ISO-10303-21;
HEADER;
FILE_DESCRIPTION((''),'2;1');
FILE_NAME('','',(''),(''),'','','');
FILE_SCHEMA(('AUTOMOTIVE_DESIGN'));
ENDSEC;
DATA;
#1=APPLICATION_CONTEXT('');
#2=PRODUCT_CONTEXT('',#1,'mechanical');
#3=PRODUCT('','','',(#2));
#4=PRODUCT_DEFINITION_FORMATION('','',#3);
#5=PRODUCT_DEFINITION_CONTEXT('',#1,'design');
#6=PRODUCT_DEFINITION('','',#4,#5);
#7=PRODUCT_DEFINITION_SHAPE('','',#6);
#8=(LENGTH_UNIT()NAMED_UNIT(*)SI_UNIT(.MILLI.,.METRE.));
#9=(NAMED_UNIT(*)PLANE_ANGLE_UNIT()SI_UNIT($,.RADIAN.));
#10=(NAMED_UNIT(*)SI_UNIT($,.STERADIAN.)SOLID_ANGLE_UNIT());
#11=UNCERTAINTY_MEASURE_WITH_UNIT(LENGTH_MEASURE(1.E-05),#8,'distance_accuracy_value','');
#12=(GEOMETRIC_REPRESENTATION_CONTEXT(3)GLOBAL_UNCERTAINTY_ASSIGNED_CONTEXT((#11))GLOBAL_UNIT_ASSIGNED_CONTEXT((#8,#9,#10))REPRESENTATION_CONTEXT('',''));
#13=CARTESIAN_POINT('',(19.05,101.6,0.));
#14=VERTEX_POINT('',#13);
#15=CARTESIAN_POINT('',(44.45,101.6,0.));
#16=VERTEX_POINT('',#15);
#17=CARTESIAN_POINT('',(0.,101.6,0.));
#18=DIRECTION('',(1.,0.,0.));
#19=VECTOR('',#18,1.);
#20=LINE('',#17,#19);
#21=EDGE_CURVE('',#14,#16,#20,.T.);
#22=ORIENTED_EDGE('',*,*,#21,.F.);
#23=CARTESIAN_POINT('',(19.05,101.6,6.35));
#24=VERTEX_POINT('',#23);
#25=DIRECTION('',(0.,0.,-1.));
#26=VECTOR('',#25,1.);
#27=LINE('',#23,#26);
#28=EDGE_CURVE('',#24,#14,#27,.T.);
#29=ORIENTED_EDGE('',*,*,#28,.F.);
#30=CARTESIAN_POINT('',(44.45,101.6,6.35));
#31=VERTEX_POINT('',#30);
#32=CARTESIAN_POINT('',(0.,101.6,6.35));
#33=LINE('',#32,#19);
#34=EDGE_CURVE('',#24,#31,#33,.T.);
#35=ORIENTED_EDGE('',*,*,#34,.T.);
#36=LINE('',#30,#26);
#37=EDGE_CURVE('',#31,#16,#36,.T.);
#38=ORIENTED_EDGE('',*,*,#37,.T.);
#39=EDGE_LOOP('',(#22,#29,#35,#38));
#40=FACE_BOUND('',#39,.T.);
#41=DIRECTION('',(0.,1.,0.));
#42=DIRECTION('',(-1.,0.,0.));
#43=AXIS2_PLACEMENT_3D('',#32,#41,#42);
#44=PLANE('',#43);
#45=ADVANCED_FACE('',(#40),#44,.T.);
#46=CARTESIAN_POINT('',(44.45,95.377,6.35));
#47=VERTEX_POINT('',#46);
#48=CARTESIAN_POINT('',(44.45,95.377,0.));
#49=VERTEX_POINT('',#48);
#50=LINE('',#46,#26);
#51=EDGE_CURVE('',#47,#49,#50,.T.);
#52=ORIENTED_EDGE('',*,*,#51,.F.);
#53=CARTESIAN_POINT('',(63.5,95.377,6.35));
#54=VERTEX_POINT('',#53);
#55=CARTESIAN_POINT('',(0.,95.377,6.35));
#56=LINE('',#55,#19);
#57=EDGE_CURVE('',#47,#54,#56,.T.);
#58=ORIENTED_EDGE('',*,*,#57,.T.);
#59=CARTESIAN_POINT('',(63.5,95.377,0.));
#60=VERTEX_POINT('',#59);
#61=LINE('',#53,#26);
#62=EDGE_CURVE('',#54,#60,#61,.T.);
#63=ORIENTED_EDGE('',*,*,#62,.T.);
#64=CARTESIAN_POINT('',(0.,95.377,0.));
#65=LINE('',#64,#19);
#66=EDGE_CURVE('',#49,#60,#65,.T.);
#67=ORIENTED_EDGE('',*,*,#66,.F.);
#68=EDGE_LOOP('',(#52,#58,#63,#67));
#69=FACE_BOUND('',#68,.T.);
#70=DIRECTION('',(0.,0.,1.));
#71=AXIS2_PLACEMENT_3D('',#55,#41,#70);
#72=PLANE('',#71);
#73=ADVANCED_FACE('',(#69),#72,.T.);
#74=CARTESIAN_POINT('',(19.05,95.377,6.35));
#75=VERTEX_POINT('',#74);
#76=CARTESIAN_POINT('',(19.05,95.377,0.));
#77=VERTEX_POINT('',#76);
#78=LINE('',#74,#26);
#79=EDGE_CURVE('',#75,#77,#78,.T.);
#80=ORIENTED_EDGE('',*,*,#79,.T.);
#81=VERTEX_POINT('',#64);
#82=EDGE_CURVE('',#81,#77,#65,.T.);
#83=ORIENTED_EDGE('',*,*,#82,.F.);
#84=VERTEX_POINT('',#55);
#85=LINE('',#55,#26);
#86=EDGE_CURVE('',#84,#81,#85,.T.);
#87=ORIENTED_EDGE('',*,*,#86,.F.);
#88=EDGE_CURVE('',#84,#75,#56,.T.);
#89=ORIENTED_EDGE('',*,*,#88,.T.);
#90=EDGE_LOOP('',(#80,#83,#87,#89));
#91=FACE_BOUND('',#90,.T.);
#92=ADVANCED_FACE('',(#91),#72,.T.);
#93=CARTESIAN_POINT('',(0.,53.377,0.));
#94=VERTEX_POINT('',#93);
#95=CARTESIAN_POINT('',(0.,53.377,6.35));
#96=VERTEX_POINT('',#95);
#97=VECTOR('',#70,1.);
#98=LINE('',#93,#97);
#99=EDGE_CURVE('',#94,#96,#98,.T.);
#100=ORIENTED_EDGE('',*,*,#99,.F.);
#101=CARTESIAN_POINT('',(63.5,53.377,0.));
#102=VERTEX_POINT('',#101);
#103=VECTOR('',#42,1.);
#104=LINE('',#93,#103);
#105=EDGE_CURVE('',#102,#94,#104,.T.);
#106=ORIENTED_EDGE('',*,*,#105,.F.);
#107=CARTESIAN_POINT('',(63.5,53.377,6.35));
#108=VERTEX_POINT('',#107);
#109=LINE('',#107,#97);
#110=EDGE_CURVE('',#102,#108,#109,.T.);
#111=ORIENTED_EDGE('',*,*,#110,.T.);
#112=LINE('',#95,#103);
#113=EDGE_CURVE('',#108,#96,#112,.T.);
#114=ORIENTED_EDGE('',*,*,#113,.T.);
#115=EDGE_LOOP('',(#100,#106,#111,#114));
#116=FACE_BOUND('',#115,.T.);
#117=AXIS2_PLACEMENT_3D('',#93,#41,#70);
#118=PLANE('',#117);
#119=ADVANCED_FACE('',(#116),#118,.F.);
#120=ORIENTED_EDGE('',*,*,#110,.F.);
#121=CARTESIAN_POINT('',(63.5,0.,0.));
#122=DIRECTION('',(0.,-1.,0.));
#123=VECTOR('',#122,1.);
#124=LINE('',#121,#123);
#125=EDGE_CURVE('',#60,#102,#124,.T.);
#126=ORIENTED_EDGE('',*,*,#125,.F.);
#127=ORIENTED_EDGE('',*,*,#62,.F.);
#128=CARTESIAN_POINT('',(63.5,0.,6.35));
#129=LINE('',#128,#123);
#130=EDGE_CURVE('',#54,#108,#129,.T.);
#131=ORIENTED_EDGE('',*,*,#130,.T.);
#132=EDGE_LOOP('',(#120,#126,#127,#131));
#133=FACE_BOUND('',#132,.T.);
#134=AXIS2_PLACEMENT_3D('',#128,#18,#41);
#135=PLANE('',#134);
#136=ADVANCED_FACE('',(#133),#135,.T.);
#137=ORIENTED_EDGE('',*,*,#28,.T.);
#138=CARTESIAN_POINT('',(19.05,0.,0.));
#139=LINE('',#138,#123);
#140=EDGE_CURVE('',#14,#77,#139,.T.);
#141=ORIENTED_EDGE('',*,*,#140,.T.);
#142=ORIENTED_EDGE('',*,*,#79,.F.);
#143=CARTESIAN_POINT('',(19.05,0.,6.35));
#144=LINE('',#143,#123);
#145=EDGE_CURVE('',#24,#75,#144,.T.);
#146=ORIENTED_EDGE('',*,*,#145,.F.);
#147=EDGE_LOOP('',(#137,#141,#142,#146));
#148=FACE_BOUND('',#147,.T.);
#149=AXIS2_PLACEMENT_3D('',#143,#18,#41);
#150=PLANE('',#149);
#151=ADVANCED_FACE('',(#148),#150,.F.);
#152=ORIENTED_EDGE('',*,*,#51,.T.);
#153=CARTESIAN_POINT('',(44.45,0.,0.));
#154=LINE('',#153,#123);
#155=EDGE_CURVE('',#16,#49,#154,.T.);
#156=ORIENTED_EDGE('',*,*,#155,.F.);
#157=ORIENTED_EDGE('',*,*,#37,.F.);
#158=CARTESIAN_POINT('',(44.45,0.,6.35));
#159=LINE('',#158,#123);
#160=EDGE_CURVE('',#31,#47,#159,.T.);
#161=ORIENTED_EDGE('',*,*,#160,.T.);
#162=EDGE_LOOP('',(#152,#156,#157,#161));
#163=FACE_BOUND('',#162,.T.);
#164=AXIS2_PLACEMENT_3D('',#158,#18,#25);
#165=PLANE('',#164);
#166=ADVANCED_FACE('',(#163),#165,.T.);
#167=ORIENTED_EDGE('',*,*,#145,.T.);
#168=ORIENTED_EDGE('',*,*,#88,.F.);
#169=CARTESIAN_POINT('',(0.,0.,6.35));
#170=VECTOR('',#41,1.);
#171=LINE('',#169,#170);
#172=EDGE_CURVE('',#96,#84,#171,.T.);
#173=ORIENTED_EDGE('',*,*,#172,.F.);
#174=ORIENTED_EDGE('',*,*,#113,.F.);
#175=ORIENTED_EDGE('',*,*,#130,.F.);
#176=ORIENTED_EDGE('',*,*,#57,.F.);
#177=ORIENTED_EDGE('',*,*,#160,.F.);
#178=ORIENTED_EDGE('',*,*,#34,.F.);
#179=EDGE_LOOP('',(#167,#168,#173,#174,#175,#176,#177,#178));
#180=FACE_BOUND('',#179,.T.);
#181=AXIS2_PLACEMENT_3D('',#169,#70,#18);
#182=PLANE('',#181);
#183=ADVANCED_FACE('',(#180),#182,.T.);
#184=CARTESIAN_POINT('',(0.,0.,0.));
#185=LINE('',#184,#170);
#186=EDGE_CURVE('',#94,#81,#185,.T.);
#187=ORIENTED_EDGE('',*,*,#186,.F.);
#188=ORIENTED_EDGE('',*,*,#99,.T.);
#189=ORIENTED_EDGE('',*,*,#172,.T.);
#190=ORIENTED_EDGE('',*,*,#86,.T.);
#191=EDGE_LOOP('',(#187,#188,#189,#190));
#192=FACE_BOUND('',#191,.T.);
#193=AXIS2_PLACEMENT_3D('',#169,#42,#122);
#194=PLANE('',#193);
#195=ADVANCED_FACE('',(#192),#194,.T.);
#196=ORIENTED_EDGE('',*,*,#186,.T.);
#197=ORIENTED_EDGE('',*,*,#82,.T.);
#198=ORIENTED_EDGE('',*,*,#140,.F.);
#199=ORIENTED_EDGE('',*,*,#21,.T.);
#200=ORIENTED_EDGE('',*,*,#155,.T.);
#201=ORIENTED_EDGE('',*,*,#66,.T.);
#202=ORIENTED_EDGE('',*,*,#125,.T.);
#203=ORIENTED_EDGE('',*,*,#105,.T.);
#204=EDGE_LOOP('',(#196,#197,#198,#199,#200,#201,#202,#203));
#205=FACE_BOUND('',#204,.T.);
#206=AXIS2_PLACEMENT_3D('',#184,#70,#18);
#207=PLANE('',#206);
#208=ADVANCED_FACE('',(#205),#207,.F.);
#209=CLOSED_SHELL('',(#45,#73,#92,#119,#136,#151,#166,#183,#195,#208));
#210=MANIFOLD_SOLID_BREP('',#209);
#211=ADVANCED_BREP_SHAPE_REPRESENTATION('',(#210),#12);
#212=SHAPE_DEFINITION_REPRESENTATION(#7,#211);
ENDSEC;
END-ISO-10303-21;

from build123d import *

# Parameters (mm, degrees)
BOSS_EXTRUDE1_DEPTH = 6.35
SKETCH2_W           = 63.888253076
SKETCH2_H           = 53.377
CUT_EXTRUDE1_DEPTH  = 120.979717036


with BuildPart() as part:
    # Sketch1 → Boss-Extrude1 (new body)
    with BuildSketch(Plane.XY):
        Polygon((63.5, 6.223), (63.5, 95.377), (44.45, 95.377), (44.45, 101.6), (19.05, 101.6), (19.05, 95.377), (0, 95.377), (0, 6.223), (19.05, 6.223), (19.05, 0), (44.45, 0), (44.45, 6.223), align=None)
    extrude(amount=BOSS_EXTRUDE1_DEPTH)

    # Sketch2 → Cut-Extrude1 (cut, through all)
    with BuildSketch(Plane.XY.offset(6.35)):
        with Locations((31.944126538, 26.6885)):
            Rectangle(SKETCH2_W, SKETCH2_H)
    extrude(amount=-CUT_EXTRUDE1_DEPTH, mode=Mode.SUBTRACT)


solid = part.part
